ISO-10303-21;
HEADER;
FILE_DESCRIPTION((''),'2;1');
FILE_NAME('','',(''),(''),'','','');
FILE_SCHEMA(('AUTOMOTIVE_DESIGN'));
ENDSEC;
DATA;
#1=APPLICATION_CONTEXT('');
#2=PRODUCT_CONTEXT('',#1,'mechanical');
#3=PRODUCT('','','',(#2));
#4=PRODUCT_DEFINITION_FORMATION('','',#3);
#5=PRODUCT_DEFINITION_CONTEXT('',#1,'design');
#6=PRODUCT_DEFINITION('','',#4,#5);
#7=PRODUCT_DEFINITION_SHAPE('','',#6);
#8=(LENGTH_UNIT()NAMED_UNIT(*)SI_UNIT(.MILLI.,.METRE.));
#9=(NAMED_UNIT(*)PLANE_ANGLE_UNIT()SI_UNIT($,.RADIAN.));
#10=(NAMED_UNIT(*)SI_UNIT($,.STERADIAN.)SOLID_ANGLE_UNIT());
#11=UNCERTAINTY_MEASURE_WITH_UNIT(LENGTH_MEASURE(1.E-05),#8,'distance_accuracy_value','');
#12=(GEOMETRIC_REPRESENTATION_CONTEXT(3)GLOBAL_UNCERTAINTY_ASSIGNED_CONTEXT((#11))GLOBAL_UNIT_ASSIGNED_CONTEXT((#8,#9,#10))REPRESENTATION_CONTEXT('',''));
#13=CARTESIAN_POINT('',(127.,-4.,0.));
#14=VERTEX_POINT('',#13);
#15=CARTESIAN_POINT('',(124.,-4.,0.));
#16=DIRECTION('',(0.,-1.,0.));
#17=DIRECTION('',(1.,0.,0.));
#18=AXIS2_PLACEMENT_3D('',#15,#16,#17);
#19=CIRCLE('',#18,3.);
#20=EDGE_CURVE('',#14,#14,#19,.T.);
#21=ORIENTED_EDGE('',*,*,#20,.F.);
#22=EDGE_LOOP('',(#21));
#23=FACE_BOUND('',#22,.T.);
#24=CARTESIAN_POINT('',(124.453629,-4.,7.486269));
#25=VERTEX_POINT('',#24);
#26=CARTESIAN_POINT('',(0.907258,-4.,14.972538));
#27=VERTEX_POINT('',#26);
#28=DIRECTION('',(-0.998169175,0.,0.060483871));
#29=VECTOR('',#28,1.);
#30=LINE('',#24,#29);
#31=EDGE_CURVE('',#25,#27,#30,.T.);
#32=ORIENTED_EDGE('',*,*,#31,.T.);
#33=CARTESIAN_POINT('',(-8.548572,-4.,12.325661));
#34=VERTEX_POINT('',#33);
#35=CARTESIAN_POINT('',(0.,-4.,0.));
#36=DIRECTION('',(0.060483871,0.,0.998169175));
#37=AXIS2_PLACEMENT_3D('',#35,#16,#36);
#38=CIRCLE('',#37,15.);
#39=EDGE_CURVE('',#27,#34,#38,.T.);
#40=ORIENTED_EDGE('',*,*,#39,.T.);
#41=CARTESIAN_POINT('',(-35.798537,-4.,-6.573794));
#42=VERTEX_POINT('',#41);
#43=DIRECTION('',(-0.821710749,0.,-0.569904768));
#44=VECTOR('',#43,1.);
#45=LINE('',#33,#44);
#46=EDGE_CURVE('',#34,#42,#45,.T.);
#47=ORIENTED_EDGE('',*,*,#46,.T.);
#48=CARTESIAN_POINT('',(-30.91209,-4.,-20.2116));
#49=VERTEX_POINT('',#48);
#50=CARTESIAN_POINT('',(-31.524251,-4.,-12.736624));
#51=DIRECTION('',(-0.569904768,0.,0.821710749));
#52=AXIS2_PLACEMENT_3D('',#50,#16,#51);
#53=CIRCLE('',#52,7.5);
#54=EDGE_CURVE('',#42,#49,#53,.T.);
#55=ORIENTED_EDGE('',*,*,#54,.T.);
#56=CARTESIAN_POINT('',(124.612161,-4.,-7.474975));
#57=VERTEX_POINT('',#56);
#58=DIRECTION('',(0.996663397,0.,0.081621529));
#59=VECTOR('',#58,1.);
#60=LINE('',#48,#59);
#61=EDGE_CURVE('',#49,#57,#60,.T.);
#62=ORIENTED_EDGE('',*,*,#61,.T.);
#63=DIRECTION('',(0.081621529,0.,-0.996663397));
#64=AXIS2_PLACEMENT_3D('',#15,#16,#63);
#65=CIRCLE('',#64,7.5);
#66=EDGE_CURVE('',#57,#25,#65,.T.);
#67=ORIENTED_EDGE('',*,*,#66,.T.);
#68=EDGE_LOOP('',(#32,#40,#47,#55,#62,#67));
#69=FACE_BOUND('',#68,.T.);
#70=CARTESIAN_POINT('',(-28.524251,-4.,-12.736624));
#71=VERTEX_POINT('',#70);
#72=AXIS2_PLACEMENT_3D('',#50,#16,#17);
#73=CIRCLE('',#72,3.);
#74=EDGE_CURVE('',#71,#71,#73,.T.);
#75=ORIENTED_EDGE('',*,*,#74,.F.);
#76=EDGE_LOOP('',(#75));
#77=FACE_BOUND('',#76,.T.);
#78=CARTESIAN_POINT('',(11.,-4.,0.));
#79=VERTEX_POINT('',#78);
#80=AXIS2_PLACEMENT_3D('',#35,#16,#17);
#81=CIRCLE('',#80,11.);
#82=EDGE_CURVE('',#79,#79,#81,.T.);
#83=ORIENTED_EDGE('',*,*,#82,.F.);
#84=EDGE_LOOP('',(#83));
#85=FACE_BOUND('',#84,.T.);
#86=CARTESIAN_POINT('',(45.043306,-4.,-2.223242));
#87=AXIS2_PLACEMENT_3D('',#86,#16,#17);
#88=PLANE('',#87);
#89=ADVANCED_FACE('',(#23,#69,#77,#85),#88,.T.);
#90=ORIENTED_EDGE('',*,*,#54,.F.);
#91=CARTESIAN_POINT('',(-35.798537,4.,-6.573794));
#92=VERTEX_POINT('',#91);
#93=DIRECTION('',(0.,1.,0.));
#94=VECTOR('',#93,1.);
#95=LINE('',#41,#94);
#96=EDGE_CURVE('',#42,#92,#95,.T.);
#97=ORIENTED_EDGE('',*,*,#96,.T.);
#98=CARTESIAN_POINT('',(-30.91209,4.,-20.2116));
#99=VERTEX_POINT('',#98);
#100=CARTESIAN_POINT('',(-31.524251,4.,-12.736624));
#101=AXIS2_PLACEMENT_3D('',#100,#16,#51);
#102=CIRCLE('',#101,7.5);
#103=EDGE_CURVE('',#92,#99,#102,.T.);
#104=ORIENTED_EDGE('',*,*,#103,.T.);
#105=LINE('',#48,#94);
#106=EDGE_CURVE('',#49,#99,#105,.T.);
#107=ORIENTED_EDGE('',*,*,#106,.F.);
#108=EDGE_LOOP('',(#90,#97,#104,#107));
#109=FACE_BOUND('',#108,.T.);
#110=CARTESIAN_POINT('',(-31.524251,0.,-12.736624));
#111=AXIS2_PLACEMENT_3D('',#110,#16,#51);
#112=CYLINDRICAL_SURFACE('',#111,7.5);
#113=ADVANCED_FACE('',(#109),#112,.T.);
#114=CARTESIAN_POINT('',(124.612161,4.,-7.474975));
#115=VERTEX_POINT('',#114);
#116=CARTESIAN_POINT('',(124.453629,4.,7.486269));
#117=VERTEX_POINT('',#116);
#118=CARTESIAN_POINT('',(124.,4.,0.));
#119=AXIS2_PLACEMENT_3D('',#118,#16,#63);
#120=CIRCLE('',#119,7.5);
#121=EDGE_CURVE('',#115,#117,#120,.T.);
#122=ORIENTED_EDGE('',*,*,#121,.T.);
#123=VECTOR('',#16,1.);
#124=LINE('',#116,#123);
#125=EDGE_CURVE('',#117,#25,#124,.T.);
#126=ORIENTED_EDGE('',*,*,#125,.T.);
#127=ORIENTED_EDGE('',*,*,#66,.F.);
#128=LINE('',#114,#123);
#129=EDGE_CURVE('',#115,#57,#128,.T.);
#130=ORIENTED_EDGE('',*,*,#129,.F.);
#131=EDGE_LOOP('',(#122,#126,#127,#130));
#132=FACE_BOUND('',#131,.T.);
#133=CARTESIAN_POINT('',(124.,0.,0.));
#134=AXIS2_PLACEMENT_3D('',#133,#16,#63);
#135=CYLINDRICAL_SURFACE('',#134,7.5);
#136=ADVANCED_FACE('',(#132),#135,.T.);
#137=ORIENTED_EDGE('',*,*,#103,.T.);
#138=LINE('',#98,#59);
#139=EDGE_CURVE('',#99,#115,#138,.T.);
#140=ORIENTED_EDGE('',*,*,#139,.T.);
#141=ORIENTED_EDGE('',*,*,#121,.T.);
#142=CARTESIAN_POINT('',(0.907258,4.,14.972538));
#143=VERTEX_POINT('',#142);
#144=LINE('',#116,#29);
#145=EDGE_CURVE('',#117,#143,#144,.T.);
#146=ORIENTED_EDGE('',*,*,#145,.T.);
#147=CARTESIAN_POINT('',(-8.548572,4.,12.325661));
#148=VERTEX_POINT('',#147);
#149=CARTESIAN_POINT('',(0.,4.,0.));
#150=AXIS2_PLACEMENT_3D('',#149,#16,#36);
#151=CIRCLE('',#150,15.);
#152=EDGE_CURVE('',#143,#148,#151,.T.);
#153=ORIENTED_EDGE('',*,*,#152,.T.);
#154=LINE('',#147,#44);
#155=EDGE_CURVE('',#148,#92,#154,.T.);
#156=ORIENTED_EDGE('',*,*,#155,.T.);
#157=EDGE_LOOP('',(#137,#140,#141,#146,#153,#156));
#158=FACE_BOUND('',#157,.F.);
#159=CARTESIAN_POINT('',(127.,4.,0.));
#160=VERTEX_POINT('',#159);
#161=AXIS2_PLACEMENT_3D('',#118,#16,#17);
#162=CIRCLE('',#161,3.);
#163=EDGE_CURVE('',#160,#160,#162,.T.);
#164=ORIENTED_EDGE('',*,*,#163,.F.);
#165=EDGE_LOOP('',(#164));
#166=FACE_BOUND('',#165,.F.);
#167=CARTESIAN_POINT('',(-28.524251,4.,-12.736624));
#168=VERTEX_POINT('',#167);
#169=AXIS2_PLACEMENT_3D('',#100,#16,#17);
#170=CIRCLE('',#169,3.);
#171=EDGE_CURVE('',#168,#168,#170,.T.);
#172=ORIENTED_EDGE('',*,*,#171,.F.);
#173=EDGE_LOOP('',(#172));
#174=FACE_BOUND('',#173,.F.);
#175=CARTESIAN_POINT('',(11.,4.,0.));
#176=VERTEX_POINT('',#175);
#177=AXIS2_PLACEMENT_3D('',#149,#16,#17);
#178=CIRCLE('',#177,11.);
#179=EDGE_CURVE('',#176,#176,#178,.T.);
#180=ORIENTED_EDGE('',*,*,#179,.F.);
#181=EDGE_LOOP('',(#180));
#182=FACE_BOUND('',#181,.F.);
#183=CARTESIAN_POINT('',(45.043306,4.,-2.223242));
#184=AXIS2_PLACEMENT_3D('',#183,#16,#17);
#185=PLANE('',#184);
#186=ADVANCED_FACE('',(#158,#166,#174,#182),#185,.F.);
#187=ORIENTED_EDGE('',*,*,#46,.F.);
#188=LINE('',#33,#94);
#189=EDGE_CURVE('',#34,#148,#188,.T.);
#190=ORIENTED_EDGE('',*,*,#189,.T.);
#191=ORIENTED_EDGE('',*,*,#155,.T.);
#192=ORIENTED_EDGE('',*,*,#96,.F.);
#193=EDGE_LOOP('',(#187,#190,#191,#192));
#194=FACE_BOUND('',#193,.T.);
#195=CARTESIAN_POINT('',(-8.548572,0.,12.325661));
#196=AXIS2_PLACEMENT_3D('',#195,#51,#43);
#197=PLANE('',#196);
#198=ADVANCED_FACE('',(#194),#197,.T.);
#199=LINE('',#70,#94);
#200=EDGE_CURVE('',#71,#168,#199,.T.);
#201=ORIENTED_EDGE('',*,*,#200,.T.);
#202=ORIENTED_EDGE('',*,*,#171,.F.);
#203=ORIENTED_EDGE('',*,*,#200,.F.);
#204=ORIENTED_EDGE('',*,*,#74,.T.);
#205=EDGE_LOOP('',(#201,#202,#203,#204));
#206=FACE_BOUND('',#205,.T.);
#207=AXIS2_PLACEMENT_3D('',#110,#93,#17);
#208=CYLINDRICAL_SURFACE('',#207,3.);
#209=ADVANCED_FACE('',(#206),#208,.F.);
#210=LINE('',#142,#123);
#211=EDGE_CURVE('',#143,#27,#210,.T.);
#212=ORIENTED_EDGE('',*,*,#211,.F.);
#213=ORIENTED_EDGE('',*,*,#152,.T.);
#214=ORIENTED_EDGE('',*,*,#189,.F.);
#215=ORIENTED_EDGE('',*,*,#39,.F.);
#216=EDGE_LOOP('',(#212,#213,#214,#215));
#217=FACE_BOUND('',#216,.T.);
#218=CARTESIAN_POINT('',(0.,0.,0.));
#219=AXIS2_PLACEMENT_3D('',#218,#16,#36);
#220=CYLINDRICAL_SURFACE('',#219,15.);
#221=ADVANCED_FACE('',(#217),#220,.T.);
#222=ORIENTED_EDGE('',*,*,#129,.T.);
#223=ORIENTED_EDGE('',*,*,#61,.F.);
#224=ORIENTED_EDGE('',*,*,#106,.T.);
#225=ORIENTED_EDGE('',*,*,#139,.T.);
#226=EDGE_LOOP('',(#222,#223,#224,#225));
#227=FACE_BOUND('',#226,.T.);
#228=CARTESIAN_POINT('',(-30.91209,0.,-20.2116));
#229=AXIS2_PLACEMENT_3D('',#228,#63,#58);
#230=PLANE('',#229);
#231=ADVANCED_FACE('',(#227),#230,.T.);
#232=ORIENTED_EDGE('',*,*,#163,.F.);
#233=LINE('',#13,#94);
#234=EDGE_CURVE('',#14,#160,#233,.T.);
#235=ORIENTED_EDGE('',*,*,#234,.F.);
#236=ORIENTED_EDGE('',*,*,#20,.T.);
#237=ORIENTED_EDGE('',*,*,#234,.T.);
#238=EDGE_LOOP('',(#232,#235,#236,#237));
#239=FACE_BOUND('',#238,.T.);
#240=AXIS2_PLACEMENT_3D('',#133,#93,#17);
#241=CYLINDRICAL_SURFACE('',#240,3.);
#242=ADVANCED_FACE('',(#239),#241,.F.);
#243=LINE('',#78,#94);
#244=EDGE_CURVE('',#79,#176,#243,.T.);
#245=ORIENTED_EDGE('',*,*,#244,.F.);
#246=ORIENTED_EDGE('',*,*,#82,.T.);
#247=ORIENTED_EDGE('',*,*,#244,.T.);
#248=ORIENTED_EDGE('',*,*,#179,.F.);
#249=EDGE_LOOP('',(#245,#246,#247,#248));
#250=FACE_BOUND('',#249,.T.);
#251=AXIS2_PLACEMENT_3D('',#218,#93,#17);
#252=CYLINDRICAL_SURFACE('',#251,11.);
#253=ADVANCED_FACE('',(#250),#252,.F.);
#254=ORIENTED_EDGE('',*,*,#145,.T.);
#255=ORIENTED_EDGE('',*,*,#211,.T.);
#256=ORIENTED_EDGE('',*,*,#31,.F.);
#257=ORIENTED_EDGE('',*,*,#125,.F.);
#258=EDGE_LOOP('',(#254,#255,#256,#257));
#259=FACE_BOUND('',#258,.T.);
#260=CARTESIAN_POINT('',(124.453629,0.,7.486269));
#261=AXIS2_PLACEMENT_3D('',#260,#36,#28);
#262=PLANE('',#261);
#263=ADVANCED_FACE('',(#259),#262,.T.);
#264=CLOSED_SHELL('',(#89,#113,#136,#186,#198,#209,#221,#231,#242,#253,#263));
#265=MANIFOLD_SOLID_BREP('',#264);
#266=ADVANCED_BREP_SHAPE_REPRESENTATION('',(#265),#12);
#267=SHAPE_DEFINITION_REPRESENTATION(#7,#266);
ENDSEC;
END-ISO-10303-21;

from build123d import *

# Parameters (mm, degrees)
F1_R     = 3
F1_R_2   = 11
F2_DEPTH = 4


with BuildPart() as f2:
    # F1 (on Front) → F2 (new body, symmetric)
    with BuildSketch(Plane.XZ):
        with BuildLine():
            Line((-30.9120895904, -20.2115996504), (124.6121614648, -7.4749754743))
            ThreePointArc((124.6121614648, -7.4749754743), (131.499578987, 0.0794670869), (124.4536290323, 7.4862688104))
            Line((124.4536290323, 7.4862688104), (0.9072580645, 14.9725376207))
            ThreePointArc((0.9072580645, 14.9725376207), (-4.0433781044, 14.4447600709), (-8.5485715239, 12.3256612358))
            Line((-8.5485715239, 12.3256612358), (-35.7985368172, -6.5737935582))
            ThreePointArc((-35.7985368172, -6.5737935582), (-38.5847203983, -15.2664013711), (-30.9120895904, -20.2115996504))
        make_face()
        with Locations((-31.5242510553, -12.7366241761)):
            Circle(F1_R, mode=Mode.SUBTRACT)
        Circle(F1_R_2, mode=Mode.SUBTRACT)
        with Locations((124, 0)):
            Circle(F1_R, mode=Mode.SUBTRACT)
    extrude(amount=F2_DEPTH, both=True)


solid = f2.part
